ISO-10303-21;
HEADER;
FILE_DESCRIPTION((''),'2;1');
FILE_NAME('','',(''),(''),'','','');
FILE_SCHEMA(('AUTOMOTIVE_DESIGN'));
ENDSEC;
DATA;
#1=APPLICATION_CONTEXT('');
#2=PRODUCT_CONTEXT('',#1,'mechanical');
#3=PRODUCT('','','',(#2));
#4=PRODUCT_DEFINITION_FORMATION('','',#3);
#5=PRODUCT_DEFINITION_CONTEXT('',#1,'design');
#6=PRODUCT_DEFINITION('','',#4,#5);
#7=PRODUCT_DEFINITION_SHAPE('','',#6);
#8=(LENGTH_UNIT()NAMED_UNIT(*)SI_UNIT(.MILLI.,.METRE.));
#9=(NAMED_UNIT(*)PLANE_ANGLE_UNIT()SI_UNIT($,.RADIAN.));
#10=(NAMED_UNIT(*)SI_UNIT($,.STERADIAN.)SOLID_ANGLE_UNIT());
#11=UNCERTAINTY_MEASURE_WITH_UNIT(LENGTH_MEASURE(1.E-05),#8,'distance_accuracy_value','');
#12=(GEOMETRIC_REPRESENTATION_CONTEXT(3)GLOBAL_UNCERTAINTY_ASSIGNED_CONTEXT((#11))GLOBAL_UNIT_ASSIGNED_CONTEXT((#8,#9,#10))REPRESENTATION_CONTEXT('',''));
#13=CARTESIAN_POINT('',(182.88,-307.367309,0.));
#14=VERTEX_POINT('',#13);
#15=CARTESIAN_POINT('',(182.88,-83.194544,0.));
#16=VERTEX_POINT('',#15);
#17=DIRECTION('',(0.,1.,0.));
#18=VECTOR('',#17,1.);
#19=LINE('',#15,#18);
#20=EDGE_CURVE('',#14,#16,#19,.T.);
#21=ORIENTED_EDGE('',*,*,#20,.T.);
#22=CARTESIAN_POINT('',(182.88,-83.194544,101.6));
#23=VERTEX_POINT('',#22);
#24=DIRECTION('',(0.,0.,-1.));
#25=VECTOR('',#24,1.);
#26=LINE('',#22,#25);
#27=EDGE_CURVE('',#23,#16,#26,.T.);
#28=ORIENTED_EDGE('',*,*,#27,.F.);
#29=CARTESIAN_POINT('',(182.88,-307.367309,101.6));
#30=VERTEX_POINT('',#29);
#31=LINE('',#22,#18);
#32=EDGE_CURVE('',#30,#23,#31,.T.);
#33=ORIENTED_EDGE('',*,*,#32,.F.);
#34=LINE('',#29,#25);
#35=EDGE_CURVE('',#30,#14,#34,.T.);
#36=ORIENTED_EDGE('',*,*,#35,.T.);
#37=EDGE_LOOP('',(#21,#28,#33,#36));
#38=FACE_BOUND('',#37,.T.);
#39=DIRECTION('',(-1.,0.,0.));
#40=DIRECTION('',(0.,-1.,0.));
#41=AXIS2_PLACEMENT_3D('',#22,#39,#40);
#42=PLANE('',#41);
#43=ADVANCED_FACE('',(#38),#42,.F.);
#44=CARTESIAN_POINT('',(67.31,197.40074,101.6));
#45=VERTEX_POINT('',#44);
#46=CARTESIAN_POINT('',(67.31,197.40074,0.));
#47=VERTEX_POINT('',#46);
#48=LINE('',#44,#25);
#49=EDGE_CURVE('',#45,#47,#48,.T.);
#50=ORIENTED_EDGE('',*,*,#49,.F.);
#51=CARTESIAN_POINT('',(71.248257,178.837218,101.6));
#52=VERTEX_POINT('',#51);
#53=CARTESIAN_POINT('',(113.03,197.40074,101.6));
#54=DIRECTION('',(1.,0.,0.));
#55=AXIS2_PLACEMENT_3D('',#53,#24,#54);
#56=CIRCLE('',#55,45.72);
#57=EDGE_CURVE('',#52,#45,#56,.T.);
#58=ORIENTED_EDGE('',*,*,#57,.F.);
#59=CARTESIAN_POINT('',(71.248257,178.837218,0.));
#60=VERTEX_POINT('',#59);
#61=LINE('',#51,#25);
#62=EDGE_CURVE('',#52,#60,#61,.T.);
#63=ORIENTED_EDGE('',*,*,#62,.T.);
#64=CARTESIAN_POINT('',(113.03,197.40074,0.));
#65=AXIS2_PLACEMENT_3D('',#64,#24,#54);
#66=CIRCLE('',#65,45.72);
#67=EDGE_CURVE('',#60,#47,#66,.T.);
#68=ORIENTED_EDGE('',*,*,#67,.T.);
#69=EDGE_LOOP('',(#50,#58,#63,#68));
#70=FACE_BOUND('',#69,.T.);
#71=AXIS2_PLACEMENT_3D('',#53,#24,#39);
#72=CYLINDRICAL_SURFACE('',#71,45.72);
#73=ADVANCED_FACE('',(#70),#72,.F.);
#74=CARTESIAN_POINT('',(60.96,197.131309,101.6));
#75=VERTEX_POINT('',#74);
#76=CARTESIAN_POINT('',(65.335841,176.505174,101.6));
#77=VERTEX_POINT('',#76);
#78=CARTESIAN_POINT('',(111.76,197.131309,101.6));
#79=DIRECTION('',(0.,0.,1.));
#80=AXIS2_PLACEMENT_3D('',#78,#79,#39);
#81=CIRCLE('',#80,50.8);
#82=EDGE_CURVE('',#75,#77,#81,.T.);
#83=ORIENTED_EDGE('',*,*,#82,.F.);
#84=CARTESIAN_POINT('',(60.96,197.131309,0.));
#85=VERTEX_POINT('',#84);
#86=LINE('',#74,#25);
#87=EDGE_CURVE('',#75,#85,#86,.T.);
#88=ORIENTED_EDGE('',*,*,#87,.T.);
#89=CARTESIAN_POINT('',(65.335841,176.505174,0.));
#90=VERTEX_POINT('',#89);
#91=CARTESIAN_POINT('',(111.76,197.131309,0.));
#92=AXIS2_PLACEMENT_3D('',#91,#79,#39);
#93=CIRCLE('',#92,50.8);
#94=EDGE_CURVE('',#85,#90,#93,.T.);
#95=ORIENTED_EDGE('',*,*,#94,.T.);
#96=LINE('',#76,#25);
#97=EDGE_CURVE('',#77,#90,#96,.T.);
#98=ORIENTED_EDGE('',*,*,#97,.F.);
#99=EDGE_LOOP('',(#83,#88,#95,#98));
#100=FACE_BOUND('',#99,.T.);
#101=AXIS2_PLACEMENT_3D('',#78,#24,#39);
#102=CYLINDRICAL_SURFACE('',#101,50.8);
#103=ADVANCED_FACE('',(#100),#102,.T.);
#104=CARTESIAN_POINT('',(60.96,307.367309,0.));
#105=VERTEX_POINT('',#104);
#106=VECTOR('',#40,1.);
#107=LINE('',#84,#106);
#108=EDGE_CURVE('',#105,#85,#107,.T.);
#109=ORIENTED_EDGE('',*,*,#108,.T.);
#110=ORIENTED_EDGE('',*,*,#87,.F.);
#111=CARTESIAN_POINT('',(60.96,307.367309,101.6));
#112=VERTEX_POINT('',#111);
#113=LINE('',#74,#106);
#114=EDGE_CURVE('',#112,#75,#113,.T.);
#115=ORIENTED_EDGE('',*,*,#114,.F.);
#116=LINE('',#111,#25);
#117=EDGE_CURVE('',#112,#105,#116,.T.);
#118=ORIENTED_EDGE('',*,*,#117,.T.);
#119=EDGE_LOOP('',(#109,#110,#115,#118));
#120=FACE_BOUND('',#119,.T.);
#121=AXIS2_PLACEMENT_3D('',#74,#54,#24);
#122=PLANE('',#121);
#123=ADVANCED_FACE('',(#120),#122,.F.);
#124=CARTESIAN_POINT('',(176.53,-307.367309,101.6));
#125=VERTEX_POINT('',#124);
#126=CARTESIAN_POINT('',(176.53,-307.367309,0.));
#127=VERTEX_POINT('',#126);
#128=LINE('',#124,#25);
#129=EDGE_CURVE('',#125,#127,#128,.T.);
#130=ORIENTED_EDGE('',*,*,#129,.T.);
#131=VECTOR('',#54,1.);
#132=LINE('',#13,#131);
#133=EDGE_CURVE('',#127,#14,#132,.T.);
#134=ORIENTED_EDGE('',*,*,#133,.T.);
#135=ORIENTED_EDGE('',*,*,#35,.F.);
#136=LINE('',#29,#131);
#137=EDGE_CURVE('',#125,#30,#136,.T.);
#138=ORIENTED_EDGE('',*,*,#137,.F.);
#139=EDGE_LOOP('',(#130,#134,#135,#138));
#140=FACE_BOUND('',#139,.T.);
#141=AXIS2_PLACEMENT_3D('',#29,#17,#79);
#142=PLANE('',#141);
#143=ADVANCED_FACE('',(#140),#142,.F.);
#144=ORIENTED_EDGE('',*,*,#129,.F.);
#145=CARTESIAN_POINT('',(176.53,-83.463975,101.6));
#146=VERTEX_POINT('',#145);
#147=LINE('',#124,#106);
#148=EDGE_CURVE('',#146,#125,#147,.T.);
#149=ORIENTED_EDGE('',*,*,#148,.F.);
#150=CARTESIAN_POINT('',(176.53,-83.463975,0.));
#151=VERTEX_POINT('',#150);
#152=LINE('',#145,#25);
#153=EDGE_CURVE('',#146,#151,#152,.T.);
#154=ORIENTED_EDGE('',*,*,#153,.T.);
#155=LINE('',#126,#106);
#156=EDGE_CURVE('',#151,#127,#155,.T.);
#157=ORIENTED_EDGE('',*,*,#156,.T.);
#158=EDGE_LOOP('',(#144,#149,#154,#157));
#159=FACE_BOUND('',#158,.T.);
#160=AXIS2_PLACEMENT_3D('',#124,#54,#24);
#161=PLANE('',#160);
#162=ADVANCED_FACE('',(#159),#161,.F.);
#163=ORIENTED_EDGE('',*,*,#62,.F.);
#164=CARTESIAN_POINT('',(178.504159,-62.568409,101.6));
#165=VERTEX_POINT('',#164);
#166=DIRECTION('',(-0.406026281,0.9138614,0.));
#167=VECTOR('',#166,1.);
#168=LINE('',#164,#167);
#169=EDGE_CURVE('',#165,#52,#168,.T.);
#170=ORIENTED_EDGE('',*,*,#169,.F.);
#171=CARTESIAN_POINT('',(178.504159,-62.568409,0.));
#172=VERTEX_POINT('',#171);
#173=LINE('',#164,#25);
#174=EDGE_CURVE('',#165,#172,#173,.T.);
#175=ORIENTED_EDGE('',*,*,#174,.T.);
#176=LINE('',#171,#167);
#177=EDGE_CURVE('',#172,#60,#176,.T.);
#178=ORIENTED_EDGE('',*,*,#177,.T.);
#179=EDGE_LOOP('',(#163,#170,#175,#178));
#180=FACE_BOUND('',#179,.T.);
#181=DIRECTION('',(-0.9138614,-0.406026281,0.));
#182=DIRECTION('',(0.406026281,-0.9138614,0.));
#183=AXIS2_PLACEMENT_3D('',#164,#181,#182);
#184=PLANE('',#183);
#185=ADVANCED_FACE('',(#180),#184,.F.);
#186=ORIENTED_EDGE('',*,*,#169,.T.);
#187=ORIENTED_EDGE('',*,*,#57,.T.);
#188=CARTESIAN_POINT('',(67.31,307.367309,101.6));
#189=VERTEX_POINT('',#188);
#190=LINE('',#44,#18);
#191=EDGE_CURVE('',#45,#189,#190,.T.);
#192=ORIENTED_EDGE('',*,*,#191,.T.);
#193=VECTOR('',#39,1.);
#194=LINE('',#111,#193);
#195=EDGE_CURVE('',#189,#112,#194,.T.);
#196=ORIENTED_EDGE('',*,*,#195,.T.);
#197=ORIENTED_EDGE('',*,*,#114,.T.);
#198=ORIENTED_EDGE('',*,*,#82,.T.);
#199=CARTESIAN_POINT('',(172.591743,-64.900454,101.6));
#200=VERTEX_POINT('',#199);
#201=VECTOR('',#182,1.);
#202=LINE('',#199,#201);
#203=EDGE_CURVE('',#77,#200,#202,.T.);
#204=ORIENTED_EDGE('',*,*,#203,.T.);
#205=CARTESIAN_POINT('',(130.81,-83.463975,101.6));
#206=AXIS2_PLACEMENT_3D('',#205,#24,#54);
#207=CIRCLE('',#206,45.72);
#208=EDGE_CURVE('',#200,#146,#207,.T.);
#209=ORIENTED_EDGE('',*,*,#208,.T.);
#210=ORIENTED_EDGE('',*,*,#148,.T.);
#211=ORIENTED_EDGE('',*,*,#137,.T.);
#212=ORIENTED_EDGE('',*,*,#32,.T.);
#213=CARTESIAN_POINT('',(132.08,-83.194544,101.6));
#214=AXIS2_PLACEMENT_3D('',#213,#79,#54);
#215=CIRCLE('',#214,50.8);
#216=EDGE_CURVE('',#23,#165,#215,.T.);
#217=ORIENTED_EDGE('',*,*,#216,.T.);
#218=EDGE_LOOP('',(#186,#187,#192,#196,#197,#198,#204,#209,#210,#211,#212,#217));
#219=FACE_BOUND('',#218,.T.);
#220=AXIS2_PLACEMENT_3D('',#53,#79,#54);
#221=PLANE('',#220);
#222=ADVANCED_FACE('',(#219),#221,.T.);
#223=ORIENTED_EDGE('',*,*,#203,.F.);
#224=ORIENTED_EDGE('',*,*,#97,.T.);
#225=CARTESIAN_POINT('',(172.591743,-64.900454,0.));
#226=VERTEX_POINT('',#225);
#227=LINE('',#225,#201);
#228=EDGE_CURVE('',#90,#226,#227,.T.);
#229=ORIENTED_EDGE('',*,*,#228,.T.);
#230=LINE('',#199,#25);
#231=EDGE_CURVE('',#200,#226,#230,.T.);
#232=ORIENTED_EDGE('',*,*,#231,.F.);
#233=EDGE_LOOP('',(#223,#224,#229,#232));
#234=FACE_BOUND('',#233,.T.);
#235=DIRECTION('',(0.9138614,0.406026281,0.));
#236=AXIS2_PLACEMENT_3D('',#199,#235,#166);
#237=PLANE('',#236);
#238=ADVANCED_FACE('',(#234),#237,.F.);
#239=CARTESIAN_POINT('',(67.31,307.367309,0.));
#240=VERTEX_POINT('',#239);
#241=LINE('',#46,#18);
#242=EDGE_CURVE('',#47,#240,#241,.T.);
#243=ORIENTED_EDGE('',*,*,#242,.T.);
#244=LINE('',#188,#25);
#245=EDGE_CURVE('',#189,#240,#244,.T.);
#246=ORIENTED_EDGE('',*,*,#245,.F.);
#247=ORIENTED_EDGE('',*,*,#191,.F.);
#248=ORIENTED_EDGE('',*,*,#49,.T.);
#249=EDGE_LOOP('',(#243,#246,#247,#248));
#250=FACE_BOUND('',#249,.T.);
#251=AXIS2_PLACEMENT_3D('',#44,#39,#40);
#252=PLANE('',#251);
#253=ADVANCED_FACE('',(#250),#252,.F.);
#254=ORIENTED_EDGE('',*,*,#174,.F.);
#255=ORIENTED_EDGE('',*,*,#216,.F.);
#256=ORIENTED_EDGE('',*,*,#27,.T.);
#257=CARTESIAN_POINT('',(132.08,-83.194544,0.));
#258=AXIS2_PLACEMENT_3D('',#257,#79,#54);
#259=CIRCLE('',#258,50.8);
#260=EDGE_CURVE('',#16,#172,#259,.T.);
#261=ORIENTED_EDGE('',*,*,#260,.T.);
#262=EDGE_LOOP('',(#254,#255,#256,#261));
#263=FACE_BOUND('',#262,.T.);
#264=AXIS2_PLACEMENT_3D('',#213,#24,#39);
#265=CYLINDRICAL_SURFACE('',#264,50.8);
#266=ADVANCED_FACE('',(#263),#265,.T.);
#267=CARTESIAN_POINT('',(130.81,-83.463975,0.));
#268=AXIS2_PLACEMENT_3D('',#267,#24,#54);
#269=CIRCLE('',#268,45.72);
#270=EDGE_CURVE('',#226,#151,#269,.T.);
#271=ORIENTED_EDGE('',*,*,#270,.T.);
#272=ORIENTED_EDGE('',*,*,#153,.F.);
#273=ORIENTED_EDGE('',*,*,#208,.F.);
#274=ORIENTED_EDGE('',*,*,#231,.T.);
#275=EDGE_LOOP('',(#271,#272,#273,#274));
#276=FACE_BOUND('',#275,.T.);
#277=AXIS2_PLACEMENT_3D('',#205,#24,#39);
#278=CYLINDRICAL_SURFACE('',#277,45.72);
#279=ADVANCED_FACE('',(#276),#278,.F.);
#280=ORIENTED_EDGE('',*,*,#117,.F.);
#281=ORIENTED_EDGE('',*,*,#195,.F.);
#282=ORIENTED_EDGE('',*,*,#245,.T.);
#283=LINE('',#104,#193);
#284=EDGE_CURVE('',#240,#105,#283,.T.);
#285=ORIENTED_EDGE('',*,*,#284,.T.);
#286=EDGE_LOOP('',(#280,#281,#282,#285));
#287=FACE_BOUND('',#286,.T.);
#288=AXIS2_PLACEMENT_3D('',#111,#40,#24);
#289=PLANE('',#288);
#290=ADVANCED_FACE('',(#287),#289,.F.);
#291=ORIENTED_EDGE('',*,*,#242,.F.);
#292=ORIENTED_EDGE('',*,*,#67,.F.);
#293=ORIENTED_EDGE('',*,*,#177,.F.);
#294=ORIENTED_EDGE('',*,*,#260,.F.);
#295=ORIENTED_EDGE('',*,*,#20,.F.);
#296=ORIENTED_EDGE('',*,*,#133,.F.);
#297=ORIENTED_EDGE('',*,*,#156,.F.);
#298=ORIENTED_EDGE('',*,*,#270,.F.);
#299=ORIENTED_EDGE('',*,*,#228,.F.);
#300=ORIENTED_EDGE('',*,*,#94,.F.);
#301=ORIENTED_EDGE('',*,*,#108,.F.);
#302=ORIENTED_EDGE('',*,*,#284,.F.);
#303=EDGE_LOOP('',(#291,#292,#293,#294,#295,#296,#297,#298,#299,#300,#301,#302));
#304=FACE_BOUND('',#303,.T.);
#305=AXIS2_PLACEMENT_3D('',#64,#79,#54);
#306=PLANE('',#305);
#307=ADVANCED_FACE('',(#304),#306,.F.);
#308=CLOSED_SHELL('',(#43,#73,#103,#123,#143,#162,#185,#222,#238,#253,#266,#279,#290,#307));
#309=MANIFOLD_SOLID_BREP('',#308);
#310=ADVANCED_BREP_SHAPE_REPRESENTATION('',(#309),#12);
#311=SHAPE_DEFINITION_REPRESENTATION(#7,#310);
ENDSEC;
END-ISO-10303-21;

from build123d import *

# Parameters (mm, degrees)
BOSS_EXTRUDE1_DEPTH = 101.6


with BuildPart() as part:
    # Sketch1 → Boss-Extrude1 (new body)
    with BuildSketch(Plane.XY):
        with BuildLine():
            Line((60.96, 197.131308881), (60.96, 307.367308881))
            Line((60.96, 307.367308881), (67.31, 307.367308881))
            Line((67.31, 307.367308881), (67.31, 197.400739769))
            ThreePointArc((67.31, 197.400739769), (68.305399944, 187.9124022), (71.248256772, 178.837218205))
            Line((71.248256772, 178.837218205), (178.504159142, -62.568409333))
            ThreePointArc((178.504159142, -62.568409333), (181.774000062, -72.651947106), (182.88, -83.194544404))
            Line((182.88, -83.194544404), (182.88, -307.367308881))
            Line((182.88, -307.367308881), (176.53, -307.367308881))
            Line((176.53, -307.367308881), (176.53, -83.463975292))
            ThreePointArc((176.53, -83.463975292), (175.534600056, -73.975637723), (172.591743228, -64.900453728))
            Line((172.591743228, -64.900453728), (65.335840858, 176.50517381))
            ThreePointArc((65.335840858, 176.50517381), (62.065999938, 186.588711582), (60.96, 197.131308881))
        make_face()
    extrude(amount=BOSS_EXTRUDE1_DEPTH)


solid = part.part
